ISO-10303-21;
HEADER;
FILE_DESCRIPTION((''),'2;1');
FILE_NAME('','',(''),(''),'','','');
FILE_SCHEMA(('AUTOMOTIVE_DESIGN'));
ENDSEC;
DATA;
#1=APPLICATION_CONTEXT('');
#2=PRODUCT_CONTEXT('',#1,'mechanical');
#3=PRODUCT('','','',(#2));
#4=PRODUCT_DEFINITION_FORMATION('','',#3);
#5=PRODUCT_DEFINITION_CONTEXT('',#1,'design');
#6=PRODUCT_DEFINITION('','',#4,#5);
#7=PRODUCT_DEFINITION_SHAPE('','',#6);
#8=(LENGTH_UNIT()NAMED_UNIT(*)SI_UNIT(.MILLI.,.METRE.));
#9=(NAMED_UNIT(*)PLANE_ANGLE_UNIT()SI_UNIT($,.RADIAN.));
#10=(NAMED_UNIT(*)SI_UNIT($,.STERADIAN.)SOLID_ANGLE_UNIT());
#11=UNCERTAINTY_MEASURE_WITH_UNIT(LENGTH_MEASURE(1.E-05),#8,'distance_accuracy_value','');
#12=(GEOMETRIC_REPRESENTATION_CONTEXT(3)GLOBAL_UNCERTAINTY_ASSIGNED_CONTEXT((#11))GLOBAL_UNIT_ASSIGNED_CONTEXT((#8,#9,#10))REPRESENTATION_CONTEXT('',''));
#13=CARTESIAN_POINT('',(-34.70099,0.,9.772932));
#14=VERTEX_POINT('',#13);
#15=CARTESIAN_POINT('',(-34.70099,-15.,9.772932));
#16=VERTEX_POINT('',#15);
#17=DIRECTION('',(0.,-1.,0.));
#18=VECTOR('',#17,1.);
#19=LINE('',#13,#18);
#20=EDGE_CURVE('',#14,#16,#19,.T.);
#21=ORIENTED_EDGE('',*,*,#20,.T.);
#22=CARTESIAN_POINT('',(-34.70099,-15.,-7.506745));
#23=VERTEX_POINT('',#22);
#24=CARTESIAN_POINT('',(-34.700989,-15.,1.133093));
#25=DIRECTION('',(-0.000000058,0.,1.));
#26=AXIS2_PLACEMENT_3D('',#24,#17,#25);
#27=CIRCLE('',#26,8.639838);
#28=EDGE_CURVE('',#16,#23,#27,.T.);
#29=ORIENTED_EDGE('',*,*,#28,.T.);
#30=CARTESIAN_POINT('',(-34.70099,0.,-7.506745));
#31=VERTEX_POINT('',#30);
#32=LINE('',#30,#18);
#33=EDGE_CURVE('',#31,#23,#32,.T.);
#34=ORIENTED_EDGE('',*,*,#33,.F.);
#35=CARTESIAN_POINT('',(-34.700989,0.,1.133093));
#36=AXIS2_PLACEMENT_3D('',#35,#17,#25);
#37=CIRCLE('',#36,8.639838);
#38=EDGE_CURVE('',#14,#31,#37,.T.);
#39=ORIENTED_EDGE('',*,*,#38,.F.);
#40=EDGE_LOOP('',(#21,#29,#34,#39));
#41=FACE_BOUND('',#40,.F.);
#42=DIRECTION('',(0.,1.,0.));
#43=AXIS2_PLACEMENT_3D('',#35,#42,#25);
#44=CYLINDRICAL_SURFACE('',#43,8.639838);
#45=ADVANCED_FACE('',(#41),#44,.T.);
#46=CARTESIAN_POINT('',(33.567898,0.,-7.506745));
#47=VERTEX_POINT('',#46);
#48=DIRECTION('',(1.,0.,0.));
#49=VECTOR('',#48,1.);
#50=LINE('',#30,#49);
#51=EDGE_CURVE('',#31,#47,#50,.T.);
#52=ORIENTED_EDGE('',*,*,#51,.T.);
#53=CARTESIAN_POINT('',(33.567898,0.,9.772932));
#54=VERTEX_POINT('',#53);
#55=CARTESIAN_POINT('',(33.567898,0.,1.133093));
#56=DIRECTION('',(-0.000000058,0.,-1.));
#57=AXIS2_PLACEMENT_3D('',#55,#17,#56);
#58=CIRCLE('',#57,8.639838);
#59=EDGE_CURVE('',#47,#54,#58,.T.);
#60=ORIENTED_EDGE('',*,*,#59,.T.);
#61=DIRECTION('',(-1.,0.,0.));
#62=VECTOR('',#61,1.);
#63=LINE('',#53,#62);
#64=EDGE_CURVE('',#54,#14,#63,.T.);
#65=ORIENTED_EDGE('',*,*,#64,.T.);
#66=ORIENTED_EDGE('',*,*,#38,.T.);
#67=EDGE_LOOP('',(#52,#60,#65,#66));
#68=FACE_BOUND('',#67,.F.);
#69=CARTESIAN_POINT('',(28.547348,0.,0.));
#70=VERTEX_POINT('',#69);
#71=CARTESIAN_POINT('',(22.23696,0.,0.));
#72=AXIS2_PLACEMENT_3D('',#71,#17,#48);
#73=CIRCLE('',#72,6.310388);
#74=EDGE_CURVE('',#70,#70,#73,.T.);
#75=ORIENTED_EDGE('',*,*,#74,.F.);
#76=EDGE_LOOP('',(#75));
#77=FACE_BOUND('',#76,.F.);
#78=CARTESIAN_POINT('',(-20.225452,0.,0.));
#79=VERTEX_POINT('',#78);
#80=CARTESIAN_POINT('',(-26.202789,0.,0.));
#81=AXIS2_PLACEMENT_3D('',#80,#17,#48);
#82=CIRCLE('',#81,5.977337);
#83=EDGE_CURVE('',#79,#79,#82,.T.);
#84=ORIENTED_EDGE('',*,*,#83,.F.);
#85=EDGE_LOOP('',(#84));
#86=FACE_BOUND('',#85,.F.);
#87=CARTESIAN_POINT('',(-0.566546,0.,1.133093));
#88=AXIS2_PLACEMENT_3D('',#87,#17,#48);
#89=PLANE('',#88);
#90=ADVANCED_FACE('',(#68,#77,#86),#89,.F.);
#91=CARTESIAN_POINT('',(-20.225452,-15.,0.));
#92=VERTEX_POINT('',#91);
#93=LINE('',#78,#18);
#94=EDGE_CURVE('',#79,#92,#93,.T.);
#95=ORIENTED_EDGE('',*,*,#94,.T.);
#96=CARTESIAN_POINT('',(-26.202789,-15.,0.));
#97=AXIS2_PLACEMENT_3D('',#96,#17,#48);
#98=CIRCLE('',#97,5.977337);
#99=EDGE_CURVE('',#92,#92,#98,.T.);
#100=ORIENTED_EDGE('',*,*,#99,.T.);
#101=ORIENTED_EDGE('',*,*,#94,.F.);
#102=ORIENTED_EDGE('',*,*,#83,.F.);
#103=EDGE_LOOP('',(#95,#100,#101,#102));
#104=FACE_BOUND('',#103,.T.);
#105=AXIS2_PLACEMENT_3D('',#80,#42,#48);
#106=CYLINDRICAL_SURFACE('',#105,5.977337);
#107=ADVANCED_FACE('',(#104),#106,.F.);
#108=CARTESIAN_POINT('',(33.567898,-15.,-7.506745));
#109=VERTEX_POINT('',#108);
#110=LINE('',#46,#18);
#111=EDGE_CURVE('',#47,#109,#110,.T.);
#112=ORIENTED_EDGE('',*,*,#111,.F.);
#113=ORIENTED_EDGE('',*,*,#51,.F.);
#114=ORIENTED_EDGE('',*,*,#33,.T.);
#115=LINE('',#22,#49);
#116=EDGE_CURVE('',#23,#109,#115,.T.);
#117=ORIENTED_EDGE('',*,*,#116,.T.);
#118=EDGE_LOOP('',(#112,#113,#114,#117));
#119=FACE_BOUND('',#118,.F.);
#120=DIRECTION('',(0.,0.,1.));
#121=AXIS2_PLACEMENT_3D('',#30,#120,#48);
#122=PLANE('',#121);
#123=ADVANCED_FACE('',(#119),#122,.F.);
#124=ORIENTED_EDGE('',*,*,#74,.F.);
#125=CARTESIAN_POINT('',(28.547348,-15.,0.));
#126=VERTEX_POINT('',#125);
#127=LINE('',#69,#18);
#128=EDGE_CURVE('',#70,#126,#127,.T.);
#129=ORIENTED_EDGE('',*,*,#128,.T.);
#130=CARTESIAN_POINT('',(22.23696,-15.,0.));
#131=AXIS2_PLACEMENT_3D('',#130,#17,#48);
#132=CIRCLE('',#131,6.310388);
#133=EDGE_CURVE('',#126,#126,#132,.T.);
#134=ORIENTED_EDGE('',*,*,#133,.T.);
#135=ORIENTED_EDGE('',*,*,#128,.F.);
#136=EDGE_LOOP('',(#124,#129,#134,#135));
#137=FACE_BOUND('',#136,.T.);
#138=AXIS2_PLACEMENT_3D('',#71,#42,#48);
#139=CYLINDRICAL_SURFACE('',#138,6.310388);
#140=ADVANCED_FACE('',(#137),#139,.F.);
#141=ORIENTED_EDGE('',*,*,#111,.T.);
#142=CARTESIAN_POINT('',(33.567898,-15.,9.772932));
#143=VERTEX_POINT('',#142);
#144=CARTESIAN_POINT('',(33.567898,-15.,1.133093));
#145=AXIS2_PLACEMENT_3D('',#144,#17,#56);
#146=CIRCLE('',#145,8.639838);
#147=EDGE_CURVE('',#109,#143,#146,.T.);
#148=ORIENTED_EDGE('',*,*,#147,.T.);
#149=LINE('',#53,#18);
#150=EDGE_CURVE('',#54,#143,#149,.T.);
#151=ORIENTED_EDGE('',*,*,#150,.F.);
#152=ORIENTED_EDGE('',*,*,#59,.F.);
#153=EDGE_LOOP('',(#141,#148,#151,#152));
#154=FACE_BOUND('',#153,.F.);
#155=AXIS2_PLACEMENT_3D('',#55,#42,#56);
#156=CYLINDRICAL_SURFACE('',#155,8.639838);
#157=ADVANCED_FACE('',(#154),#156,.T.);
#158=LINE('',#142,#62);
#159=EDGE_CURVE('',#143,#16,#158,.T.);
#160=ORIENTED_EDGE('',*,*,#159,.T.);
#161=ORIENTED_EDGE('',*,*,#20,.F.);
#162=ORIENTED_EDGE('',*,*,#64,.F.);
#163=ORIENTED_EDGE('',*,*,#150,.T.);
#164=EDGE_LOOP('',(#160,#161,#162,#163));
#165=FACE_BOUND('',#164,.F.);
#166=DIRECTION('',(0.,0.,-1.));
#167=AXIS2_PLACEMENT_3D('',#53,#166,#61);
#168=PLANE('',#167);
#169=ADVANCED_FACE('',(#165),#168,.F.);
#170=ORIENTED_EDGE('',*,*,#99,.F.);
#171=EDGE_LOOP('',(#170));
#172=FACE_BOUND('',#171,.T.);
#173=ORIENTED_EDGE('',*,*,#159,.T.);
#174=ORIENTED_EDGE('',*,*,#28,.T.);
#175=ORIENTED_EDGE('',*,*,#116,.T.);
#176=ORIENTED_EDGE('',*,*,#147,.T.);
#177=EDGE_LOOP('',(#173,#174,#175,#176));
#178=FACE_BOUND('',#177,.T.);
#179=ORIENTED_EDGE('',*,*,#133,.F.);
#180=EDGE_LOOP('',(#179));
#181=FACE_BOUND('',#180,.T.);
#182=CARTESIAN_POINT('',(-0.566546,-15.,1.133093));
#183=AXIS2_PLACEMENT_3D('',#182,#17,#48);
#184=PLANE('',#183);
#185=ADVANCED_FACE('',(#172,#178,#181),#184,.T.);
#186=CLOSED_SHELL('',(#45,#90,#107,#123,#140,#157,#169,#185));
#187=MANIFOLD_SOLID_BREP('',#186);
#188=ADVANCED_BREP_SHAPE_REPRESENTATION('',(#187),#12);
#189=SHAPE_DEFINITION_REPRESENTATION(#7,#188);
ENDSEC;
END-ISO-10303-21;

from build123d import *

# Parameters (mm, degrees)
F0_R     = 5.977337
F0_R_2   = 6.310388
F1_DEPTH = 15


with BuildPart() as f1:
    # F0 (on Front) → F1 (new body)
    with BuildSketch(Plane.XZ):
        Polygon((33.567898, 9.772932), (0, 9.772932), (-34.70099, 9.772932), (-34.70099, -7.506745), (33.567898, -7.506745), align=None)
        with Locations((-26.202789, 0)):
            Circle(F0_R, mode=Mode.SUBTRACT)
        with Locations((22.23696, 0)):
            Circle(F0_R_2, mode=Mode.SUBTRACT)
        with BuildLine():
            Line((-34.70099, -7.506745), (-34.70099, 9.772932))
            ThreePointArc((-34.70099, 9.772932), (-43.340828, 1.133094), (-34.70099, -7.506745))
        make_face()
        with BuildLine():
            ThreePointArc((33.567898, -7.506745), (42.207737, 1.133094), (33.567898, 9.772932))
            Line((33.567898, 9.772932), (33.567898, -7.506745))
        make_face()
    extrude(amount=F1_DEPTH)


solid = f1.part
